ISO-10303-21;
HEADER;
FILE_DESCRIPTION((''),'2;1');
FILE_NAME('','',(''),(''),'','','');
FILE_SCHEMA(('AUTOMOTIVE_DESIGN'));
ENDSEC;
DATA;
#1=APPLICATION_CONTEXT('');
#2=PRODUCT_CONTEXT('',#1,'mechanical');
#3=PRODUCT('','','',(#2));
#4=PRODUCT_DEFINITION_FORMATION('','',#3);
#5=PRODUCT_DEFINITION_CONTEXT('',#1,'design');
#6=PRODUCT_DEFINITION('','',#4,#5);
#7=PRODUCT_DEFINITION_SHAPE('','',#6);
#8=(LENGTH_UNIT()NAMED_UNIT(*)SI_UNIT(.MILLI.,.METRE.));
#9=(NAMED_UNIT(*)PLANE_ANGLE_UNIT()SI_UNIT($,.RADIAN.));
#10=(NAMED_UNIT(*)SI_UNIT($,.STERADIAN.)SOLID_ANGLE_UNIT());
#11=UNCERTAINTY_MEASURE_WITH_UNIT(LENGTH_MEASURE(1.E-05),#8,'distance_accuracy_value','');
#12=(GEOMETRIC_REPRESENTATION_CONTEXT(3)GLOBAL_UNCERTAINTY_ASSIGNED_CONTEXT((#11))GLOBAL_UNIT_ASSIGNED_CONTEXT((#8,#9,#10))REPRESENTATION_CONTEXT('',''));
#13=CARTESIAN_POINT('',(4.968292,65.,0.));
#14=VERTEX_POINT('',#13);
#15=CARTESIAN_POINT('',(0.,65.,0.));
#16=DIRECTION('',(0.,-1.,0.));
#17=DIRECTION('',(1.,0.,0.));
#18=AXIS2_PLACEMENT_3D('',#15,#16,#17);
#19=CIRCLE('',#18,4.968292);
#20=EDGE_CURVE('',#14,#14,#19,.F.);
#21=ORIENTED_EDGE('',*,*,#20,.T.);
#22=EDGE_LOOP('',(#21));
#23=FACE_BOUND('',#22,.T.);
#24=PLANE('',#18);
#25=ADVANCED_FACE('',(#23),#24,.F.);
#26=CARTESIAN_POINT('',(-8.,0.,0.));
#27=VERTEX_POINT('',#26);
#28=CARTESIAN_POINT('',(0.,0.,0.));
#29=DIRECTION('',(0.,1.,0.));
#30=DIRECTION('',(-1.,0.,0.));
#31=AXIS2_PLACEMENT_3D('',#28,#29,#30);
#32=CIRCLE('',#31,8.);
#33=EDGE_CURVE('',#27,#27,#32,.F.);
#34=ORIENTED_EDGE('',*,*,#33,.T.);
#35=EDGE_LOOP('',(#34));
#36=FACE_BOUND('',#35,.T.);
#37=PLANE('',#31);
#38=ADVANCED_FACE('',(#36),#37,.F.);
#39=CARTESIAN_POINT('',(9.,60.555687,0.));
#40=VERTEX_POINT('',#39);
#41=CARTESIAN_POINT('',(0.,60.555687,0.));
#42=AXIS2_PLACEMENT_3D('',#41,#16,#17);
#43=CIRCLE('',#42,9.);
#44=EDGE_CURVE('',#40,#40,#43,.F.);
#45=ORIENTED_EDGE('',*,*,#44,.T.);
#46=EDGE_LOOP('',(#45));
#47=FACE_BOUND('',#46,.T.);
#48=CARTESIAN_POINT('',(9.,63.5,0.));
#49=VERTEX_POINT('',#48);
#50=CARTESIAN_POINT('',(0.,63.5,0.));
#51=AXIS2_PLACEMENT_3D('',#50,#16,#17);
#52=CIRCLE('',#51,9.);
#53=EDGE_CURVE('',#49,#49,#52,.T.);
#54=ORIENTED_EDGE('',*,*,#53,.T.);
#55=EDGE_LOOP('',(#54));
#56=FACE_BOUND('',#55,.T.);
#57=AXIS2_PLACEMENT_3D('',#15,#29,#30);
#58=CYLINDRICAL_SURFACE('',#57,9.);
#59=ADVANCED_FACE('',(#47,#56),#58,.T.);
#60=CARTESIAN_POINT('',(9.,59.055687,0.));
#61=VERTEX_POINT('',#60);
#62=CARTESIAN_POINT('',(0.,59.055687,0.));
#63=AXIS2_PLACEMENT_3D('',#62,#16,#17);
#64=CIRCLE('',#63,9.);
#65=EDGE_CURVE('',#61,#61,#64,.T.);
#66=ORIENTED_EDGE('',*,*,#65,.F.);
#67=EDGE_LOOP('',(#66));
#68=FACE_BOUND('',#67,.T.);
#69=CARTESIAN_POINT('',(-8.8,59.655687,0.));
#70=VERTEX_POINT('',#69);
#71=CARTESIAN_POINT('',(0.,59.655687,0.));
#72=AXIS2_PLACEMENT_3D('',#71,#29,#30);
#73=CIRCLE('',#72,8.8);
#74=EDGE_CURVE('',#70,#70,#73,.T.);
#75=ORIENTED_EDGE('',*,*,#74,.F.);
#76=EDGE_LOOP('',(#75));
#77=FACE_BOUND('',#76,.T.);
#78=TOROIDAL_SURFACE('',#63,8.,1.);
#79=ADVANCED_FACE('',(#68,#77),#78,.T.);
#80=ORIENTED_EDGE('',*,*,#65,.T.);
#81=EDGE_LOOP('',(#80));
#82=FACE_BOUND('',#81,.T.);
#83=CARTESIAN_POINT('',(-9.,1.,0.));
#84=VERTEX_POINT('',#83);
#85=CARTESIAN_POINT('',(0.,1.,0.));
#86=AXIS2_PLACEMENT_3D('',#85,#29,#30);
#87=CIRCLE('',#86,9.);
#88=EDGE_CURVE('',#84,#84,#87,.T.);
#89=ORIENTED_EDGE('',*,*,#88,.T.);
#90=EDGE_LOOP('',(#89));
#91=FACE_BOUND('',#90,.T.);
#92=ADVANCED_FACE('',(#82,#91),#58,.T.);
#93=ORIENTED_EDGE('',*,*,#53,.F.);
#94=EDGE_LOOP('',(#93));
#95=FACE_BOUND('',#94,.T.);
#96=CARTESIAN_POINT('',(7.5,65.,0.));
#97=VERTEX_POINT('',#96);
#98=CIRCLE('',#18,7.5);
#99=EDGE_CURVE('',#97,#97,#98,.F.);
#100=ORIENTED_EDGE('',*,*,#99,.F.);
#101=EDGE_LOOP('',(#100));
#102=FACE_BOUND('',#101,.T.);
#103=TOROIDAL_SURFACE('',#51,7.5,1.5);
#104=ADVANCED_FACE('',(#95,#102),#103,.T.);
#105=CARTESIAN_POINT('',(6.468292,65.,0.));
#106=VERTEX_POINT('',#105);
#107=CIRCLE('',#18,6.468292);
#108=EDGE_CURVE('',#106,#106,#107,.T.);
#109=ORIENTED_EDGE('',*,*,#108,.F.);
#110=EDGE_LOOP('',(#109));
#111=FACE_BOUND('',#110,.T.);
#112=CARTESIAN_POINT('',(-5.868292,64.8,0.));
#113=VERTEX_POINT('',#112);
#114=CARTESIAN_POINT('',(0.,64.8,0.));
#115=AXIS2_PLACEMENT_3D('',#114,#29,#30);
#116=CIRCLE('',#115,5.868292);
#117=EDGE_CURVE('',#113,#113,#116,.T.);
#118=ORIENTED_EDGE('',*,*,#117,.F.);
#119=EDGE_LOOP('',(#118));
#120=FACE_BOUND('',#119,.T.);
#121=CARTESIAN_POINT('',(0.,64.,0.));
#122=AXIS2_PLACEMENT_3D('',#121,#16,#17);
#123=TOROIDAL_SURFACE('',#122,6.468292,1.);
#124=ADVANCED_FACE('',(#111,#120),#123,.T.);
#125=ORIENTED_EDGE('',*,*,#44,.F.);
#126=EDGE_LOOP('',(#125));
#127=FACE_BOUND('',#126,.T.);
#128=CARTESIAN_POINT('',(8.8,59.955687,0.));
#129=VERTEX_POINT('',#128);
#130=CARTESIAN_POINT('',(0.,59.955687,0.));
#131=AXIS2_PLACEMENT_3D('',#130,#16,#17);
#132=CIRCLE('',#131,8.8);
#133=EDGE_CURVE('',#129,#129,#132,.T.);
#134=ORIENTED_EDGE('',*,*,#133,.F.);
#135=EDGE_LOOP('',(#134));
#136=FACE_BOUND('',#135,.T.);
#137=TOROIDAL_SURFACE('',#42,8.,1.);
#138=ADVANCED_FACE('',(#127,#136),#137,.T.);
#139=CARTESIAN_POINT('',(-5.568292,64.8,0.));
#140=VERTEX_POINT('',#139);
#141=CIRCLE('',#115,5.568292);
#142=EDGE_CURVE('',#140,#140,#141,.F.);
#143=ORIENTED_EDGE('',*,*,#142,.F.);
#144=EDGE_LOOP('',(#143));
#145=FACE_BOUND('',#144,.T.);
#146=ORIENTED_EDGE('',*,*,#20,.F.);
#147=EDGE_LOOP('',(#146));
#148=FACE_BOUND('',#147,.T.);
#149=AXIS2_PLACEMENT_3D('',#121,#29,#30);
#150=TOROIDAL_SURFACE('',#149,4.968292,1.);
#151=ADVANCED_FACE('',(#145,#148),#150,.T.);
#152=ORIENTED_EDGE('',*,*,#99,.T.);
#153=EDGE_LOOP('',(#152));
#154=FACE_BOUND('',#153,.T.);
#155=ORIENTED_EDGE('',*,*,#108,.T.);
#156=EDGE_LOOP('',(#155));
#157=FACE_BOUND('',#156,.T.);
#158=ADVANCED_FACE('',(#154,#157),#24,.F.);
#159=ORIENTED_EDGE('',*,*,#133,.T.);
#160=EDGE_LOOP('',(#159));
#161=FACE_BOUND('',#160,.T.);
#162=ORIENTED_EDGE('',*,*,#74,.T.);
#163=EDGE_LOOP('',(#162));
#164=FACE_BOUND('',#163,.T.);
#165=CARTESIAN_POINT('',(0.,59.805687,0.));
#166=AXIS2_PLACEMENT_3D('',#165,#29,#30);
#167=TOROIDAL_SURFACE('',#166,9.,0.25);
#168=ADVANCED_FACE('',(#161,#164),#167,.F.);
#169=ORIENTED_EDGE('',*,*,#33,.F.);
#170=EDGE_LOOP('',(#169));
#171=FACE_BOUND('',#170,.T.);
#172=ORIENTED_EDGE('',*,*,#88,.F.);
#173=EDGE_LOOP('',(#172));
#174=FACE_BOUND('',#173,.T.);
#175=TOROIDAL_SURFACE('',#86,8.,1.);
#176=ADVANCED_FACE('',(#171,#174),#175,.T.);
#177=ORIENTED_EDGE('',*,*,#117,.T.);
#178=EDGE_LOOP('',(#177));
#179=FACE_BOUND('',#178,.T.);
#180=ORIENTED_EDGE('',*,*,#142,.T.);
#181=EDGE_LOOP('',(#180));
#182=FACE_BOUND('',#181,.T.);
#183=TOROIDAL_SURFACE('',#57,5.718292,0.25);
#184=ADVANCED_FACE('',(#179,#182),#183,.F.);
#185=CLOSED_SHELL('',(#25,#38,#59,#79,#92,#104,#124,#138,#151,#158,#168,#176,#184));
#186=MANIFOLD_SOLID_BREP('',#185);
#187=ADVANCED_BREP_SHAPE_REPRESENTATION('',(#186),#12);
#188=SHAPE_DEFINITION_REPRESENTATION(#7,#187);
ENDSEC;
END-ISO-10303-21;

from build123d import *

# Parameters (mm, degrees)
FILLET_1_R = 1
FILLET_2_R = 1.5
FILLET_3_R = 1
FILLET_4_R = 1
FILLET_5_R = 1
FILLET_6_R = 1


with BuildPart() as part:
    # Эскиз1 → Повернуть1 (revolve)
    with BuildSketch(Plane.XY, mode=Mode.PRIVATE) as revolve_1_sk:
        with BuildLine():
            Line((0, 65), (0, 0))
            Line((0, 0), (9, 0))
            Line((9, 0), (9, 59.555686992))
            ThreePointArc((9, 59.555686992), (8.75, 59.805686992), (9, 60.055686992))
            Line((9, 60.055686992), (9, 65))
            Line((9, 65), (5.968291991, 65))
            ThreePointArc((5.968291991, 65), (5.718291991, 64.75), (5.468291991, 65))
            Line((5.468291991, 65), (0, 65))
        make_face()
    revolve(revolve_1_sk.sketch.rotate(Axis((0, 65, 0), (0, -1, 0)), 180), axis=Axis((0, 65, 0), (0, -1, 0)))

    # Скругление1
    fillet_1_edges = [part.edges().sort_by_distance(p)[0] for p in [
        (9, 0, 0),
    ]]
    fillet(fillet_1_edges, radius=FILLET_1_R)

    # Скругление2
    fillet_2_edges = [part.edges().sort_by_distance(p)[0] for p in [
        (9, 65, 0),
    ]]
    fillet(fillet_2_edges, radius=FILLET_2_R)

    # Скругление3
    fillet_3_edges = [part.edges().sort_by_distance(p)[0] for p in [
        (9, 59.555686992, 0),
    ]]
    fillet(fillet_3_edges, radius=FILLET_3_R)

    # Скругление4
    fillet_4_edges = [part.edges().sort_by_distance(p)[0] for p in [
        (9, 60.055686992, 0),
    ]]
    fillet(fillet_4_edges, radius=FILLET_4_R)

    # Скругление5
    fillet_5_edges = [part.edges().sort_by_distance(p)[0] for p in [
        (5.468291991, 65, 0),
    ]]
    fillet(fillet_5_edges, radius=FILLET_5_R)

    # Скругление6
    fillet_6_edges = [part.edges().sort_by_distance(p)[0] for p in [
        (5.968291991, 65, 0),
    ]]
    fillet(fillet_6_edges, radius=FILLET_6_R)


solid = part.part
